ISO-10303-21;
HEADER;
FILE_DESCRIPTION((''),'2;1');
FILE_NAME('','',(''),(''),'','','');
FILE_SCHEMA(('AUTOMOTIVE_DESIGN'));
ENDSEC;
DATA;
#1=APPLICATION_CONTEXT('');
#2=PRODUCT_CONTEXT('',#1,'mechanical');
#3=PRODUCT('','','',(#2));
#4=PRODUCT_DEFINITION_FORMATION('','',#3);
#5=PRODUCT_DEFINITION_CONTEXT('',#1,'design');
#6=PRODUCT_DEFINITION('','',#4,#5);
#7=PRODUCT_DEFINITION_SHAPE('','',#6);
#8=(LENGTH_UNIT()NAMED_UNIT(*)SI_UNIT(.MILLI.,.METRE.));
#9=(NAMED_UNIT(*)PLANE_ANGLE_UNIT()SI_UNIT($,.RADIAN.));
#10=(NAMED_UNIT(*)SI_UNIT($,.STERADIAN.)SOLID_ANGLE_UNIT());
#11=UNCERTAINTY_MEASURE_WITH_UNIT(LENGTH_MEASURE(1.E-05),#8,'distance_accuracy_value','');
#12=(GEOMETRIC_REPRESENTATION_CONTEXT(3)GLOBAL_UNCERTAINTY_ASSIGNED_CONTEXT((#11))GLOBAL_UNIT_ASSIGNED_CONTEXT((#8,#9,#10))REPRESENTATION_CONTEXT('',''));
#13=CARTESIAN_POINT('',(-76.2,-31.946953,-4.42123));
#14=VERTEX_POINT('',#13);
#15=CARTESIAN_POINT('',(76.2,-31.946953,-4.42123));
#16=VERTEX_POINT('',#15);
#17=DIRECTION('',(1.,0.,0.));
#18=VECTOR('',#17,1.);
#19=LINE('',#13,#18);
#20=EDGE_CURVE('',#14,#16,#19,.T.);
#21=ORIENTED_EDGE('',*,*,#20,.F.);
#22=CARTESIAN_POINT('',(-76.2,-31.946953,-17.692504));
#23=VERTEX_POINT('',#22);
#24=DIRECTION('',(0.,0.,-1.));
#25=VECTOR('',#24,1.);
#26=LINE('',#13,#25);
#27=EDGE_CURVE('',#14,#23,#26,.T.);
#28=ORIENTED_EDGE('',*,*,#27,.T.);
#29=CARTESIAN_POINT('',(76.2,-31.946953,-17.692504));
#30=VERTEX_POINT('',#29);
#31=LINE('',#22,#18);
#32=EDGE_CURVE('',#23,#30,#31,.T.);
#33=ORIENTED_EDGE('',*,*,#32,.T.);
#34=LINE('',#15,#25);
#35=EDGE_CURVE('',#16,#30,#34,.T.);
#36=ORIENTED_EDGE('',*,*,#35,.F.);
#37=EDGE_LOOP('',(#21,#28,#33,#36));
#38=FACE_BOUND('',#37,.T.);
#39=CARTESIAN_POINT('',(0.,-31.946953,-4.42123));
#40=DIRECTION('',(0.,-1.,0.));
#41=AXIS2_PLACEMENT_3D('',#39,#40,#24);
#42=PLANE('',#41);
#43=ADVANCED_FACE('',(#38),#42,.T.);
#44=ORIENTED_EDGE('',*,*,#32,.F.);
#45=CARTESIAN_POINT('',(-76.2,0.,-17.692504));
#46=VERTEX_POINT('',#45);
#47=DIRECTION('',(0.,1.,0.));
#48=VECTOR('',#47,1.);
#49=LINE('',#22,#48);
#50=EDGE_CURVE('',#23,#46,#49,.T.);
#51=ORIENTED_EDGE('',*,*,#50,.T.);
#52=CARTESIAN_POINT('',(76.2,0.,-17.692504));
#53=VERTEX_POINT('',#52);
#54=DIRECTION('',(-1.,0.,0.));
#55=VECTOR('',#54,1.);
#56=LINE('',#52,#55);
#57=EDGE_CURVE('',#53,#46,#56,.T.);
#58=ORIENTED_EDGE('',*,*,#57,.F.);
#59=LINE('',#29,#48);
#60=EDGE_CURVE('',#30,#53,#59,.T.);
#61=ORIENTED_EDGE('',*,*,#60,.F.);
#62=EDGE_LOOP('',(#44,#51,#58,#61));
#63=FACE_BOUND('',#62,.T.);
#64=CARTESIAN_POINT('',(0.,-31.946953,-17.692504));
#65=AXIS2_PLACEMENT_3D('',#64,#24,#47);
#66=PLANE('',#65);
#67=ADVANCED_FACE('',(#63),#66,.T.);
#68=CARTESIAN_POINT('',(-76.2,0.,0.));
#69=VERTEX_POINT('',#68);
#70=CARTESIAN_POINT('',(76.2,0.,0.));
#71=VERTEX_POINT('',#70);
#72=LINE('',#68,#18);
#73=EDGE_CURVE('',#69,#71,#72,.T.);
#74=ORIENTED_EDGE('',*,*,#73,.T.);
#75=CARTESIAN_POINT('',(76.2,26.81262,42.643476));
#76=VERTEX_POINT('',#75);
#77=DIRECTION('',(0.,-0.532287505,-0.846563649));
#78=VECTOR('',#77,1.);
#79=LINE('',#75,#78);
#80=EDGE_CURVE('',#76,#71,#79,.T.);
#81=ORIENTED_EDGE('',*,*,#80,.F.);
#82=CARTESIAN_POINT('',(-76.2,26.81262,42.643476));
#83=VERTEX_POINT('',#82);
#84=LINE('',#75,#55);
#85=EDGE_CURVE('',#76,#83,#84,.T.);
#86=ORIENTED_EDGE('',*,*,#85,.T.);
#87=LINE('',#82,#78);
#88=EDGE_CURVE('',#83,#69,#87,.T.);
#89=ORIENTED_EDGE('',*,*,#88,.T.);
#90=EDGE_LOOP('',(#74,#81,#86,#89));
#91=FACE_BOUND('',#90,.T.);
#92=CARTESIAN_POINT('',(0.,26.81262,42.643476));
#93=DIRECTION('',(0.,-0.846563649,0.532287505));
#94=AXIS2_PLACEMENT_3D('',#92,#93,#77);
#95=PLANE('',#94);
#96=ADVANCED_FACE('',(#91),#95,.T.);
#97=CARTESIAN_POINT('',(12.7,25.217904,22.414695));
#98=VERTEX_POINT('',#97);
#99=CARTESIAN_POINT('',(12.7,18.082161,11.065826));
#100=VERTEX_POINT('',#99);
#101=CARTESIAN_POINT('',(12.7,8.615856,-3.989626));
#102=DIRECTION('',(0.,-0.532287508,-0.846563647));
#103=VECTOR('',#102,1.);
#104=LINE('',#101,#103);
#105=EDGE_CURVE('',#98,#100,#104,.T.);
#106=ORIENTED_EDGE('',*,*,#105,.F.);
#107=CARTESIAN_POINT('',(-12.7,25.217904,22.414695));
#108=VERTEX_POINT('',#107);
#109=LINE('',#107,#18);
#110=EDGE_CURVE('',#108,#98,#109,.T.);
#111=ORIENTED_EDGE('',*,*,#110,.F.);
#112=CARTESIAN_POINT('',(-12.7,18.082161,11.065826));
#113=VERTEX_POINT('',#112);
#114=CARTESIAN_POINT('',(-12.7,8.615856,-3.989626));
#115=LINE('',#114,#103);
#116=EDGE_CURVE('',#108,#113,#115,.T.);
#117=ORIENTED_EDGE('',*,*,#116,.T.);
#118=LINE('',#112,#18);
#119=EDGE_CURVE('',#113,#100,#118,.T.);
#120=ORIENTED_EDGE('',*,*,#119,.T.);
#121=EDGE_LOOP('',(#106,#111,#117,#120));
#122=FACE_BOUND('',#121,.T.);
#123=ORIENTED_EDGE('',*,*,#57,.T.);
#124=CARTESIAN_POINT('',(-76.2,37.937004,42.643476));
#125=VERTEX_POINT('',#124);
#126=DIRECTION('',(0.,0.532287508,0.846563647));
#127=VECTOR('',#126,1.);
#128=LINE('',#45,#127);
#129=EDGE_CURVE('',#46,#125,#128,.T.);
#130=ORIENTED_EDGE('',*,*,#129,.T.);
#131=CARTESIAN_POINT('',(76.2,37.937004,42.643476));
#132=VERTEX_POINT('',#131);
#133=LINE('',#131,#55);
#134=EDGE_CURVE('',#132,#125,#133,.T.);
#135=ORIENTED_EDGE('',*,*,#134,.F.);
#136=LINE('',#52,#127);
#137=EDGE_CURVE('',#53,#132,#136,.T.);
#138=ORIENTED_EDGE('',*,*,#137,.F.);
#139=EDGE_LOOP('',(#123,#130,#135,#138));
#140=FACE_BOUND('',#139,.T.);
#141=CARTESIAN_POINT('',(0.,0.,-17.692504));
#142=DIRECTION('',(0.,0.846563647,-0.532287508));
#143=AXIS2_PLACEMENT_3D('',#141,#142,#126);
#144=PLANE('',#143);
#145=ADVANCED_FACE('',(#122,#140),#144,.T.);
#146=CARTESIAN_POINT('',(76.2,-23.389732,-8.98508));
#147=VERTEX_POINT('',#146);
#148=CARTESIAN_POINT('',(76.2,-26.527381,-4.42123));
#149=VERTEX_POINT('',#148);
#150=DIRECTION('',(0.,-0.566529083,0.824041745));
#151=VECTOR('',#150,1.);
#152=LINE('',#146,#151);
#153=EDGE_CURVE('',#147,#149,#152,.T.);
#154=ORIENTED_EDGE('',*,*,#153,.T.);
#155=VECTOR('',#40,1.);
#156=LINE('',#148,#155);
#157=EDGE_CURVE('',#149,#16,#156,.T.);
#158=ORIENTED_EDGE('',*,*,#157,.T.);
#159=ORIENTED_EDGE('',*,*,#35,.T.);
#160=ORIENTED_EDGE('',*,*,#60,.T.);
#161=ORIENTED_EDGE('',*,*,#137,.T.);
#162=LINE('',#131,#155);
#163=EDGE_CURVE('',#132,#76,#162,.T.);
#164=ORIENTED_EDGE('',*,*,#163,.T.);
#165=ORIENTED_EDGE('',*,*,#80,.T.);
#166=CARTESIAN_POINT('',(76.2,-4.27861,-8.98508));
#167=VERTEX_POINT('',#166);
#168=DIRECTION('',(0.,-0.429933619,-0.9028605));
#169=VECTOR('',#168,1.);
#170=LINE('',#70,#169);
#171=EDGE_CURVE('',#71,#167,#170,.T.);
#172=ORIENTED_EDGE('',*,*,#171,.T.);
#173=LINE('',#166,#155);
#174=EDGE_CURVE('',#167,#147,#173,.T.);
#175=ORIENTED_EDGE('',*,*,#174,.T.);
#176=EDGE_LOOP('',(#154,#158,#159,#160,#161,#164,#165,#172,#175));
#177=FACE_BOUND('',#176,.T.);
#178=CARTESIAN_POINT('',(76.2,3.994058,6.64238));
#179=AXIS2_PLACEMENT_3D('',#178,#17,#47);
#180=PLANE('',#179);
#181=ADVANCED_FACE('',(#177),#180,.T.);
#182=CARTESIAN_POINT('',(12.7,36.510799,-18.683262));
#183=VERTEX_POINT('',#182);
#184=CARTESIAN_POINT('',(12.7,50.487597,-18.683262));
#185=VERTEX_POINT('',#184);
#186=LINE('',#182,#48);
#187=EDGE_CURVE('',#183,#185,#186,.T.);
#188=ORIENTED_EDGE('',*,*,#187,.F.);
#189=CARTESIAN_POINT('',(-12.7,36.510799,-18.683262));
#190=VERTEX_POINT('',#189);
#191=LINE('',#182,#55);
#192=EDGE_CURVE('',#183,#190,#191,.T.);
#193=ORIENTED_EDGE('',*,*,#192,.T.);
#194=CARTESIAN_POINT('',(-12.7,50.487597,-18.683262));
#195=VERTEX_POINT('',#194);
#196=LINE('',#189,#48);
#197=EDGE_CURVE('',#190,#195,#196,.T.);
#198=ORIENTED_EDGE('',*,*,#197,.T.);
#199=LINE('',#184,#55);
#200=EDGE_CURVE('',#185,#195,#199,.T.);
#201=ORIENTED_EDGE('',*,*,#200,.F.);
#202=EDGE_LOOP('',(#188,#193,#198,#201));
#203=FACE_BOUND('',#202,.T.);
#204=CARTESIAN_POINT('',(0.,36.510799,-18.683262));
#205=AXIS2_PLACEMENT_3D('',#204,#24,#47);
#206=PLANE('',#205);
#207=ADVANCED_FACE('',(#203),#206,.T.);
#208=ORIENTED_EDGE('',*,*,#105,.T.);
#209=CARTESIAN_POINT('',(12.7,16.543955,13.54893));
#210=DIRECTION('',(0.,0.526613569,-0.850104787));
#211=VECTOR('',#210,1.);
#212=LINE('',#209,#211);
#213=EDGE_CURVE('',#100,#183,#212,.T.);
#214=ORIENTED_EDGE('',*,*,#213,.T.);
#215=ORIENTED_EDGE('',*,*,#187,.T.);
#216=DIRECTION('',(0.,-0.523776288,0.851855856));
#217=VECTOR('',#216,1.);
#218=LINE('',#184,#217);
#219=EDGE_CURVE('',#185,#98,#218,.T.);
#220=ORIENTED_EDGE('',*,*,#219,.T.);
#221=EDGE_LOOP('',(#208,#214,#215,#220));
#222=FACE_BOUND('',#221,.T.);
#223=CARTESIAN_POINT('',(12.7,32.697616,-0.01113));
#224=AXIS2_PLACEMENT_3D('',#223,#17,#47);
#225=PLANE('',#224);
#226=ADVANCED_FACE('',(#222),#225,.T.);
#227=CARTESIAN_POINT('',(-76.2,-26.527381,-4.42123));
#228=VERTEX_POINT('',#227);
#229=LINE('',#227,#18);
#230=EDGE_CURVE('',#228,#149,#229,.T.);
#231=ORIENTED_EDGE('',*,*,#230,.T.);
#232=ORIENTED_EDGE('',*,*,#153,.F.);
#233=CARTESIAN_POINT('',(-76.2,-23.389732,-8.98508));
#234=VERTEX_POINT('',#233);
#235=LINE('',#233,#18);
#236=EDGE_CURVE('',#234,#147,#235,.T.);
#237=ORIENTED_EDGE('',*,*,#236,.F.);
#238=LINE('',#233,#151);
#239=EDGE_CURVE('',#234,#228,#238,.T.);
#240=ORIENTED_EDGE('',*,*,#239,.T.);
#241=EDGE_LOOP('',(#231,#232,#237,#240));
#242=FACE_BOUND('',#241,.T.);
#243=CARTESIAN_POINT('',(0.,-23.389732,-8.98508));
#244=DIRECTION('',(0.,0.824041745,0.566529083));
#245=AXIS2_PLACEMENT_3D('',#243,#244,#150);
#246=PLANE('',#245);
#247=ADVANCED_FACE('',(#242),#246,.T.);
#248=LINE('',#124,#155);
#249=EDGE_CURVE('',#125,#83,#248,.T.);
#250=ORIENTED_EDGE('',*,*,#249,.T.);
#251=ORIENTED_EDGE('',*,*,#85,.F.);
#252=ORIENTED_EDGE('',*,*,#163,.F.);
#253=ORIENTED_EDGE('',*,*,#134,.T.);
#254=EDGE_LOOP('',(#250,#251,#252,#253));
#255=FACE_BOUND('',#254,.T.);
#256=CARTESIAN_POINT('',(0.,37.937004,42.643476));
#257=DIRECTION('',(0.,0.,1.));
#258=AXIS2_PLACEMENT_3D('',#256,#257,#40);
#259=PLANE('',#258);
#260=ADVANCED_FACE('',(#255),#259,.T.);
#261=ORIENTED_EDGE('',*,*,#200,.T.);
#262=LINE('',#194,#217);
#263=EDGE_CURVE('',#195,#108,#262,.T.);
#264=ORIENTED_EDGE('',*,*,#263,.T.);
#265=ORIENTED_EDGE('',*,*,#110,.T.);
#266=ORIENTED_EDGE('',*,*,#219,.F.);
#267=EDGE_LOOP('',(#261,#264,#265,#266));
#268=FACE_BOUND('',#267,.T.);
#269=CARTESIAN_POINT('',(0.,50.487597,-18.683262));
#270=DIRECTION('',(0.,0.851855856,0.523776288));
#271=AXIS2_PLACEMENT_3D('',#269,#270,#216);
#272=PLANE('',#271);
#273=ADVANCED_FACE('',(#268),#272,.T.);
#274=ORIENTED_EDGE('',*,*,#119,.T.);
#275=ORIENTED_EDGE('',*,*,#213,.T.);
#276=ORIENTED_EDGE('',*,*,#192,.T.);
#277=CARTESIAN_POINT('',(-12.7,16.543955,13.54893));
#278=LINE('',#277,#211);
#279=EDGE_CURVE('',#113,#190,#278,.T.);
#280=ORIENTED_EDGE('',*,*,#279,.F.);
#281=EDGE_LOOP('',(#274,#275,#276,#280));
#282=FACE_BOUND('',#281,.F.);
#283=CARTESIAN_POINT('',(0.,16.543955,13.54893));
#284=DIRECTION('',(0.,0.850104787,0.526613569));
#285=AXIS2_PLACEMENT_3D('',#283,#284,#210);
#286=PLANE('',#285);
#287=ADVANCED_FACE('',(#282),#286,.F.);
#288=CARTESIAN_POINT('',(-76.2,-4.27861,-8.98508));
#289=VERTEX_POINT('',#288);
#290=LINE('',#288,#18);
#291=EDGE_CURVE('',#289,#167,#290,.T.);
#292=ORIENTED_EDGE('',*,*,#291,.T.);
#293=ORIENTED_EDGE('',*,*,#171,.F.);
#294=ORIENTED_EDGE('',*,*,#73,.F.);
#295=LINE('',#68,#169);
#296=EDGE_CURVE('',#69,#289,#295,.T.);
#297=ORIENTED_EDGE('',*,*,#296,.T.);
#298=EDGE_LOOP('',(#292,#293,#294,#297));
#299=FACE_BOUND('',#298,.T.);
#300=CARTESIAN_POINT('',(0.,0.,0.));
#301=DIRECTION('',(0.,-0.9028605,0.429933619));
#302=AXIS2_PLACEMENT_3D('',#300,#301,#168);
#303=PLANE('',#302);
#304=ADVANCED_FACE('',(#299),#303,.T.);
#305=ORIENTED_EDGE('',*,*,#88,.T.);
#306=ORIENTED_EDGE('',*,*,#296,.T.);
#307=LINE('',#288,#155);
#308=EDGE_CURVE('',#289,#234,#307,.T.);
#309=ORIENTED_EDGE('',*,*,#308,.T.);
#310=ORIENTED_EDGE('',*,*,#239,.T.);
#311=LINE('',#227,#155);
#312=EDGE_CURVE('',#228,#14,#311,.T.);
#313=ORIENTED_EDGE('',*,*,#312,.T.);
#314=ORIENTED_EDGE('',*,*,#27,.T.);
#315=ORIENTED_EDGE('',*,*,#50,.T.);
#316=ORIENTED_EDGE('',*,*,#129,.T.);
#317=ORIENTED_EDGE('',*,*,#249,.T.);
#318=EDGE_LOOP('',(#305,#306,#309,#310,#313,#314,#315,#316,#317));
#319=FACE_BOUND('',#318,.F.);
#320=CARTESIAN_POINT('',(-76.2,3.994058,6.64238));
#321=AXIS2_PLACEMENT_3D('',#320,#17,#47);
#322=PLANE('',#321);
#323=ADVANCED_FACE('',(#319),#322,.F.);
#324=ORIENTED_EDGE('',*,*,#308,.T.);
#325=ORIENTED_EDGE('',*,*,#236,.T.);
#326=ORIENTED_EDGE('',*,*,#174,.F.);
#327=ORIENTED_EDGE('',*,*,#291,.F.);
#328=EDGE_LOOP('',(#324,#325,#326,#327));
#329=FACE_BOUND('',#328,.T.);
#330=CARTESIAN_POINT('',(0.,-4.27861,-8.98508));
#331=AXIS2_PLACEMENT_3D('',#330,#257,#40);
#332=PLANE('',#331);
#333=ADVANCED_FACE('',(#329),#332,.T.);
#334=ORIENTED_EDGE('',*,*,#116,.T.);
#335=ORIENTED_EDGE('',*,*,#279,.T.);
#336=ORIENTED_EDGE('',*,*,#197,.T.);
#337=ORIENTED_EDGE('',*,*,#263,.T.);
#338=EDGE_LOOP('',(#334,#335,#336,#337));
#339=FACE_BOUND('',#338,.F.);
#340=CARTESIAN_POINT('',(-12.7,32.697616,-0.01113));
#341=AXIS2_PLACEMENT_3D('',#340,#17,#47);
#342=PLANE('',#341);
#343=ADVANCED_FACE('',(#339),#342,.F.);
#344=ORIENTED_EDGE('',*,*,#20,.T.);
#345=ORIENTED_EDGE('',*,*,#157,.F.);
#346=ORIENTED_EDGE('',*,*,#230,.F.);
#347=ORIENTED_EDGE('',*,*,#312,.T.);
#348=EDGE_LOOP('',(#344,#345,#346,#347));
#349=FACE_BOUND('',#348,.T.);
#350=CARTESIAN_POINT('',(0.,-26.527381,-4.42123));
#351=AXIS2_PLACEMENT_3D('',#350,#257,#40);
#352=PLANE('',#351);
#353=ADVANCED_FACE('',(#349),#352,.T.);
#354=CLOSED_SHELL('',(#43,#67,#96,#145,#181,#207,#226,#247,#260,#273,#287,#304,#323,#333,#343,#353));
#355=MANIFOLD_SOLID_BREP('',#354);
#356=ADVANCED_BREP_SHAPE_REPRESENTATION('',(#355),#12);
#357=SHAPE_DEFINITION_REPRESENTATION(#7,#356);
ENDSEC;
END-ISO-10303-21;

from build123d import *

# Parameters (mm, degrees)
F1_DEPTH      = 76.2
F1_DEPTH_BACK = 76.2
F3_DEPTH      = 12.7
F3_DEPTH_BACK = 12.7


with BuildPart() as f1:
    # F0 (on Right) → F1 (new body, two sides)
    with BuildSketch(Plane.YZ) as f1_sk:
        Polygon((26.81262, 42.643476), (0, 0), (-4.27861, -8.98508), (-23.389732, -8.98508), (-26.527381, -4.42123), (-31.946953, -4.42123), (-31.946953, -17.692504), (0, -17.692504), (37.937004, 42.643476), align=None)
    extrude(amount=F1_DEPTH)
    extrude(f1_sk.sketch, amount=-F1_DEPTH_BACK)

    # F2 (on Right) → F3 (join, two sides)
    with BuildSketch(Plane.YZ) as f3_sk:
        Polygon((50.487597, -18.683262), (24.530696, 23.532353), (16.543955, 13.54893), (36.510799, -18.683262), align=None)
    extrude(amount=F3_DEPTH)
    extrude(f3_sk.sketch, amount=-F3_DEPTH_BACK)


solid = f1.part
